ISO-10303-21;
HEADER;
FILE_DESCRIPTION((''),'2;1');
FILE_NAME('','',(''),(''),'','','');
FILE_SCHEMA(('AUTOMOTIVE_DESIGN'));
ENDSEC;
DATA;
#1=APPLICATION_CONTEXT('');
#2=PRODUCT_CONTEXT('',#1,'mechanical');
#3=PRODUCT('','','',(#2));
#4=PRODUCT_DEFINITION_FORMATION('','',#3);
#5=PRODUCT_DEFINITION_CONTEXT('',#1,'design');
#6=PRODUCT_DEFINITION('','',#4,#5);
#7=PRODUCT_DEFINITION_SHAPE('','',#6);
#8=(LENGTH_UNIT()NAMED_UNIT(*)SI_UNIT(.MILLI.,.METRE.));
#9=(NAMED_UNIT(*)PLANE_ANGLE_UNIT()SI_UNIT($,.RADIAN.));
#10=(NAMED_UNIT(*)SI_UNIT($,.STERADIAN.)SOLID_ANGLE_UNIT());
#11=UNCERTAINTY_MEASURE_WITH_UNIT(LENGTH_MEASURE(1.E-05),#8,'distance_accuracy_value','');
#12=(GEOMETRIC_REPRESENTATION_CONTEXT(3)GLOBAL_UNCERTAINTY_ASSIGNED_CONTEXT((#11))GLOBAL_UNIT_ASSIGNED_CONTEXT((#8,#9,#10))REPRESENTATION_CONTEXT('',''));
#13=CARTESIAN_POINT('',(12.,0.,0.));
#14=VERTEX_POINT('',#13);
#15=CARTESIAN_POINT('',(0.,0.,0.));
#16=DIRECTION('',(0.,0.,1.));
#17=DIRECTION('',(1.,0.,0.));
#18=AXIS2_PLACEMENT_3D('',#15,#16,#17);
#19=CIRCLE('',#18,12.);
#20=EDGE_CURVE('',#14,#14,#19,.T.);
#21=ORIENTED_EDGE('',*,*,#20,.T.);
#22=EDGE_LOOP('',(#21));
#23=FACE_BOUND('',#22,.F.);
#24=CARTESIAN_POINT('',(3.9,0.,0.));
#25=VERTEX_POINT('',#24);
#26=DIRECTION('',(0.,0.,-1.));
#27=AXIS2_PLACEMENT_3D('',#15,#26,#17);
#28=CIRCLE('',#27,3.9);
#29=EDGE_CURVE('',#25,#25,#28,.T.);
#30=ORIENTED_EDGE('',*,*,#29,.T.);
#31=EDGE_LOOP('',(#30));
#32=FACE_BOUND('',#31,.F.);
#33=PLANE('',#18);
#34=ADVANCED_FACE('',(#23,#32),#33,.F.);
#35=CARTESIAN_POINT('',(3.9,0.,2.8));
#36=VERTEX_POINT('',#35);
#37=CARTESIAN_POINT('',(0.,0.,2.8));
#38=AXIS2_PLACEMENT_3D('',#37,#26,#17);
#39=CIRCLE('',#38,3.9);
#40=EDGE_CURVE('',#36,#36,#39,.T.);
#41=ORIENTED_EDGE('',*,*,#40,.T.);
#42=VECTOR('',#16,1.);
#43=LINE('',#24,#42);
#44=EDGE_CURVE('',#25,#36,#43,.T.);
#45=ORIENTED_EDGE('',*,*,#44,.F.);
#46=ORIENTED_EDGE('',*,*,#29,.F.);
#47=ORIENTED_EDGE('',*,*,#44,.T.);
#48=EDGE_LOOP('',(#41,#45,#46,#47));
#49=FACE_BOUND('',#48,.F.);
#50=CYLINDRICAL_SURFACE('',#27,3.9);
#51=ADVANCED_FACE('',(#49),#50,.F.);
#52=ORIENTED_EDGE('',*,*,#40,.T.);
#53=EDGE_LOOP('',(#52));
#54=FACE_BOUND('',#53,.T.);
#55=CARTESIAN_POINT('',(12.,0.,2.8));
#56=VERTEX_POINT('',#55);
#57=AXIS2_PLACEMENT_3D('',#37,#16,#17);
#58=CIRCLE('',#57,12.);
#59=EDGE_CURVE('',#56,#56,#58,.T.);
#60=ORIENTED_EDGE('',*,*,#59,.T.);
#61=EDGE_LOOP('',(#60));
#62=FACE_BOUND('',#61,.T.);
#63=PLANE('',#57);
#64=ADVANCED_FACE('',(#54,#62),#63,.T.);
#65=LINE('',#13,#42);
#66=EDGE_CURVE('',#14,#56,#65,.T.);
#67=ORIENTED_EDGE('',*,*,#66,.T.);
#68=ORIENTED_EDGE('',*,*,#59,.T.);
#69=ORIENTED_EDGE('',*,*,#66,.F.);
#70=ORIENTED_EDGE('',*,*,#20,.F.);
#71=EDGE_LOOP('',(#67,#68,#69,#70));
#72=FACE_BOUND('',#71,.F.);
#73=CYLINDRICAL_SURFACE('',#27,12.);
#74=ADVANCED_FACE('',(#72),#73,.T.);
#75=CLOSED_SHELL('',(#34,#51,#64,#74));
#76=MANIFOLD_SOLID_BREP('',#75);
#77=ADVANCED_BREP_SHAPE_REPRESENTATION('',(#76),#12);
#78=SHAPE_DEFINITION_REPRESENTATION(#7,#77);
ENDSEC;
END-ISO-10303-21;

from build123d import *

# Parameters (mm, degrees)
SKETCH001_R  = 12
PAD_DEPTH    = 2.8
SKETCH_R     = 3.9
POCKET_DEPTH = 5


with BuildPart() as part:
    # Sketch001 → Pad (new body)
    with BuildSketch(Plane.XY):
        Circle(SKETCH001_R)
    extrude(amount=PAD_DEPTH)

    # Sketch (on Face2 of Pad) → Pocket (cut)
    with BuildSketch(Plane(origin=(0, 0, 0), x_dir=(1, 0, 0), z_dir=(0, 0, -1))):
        Circle(SKETCH_R)
    extrude(amount=-POCKET_DEPTH, mode=Mode.SUBTRACT)


solid = part.part
